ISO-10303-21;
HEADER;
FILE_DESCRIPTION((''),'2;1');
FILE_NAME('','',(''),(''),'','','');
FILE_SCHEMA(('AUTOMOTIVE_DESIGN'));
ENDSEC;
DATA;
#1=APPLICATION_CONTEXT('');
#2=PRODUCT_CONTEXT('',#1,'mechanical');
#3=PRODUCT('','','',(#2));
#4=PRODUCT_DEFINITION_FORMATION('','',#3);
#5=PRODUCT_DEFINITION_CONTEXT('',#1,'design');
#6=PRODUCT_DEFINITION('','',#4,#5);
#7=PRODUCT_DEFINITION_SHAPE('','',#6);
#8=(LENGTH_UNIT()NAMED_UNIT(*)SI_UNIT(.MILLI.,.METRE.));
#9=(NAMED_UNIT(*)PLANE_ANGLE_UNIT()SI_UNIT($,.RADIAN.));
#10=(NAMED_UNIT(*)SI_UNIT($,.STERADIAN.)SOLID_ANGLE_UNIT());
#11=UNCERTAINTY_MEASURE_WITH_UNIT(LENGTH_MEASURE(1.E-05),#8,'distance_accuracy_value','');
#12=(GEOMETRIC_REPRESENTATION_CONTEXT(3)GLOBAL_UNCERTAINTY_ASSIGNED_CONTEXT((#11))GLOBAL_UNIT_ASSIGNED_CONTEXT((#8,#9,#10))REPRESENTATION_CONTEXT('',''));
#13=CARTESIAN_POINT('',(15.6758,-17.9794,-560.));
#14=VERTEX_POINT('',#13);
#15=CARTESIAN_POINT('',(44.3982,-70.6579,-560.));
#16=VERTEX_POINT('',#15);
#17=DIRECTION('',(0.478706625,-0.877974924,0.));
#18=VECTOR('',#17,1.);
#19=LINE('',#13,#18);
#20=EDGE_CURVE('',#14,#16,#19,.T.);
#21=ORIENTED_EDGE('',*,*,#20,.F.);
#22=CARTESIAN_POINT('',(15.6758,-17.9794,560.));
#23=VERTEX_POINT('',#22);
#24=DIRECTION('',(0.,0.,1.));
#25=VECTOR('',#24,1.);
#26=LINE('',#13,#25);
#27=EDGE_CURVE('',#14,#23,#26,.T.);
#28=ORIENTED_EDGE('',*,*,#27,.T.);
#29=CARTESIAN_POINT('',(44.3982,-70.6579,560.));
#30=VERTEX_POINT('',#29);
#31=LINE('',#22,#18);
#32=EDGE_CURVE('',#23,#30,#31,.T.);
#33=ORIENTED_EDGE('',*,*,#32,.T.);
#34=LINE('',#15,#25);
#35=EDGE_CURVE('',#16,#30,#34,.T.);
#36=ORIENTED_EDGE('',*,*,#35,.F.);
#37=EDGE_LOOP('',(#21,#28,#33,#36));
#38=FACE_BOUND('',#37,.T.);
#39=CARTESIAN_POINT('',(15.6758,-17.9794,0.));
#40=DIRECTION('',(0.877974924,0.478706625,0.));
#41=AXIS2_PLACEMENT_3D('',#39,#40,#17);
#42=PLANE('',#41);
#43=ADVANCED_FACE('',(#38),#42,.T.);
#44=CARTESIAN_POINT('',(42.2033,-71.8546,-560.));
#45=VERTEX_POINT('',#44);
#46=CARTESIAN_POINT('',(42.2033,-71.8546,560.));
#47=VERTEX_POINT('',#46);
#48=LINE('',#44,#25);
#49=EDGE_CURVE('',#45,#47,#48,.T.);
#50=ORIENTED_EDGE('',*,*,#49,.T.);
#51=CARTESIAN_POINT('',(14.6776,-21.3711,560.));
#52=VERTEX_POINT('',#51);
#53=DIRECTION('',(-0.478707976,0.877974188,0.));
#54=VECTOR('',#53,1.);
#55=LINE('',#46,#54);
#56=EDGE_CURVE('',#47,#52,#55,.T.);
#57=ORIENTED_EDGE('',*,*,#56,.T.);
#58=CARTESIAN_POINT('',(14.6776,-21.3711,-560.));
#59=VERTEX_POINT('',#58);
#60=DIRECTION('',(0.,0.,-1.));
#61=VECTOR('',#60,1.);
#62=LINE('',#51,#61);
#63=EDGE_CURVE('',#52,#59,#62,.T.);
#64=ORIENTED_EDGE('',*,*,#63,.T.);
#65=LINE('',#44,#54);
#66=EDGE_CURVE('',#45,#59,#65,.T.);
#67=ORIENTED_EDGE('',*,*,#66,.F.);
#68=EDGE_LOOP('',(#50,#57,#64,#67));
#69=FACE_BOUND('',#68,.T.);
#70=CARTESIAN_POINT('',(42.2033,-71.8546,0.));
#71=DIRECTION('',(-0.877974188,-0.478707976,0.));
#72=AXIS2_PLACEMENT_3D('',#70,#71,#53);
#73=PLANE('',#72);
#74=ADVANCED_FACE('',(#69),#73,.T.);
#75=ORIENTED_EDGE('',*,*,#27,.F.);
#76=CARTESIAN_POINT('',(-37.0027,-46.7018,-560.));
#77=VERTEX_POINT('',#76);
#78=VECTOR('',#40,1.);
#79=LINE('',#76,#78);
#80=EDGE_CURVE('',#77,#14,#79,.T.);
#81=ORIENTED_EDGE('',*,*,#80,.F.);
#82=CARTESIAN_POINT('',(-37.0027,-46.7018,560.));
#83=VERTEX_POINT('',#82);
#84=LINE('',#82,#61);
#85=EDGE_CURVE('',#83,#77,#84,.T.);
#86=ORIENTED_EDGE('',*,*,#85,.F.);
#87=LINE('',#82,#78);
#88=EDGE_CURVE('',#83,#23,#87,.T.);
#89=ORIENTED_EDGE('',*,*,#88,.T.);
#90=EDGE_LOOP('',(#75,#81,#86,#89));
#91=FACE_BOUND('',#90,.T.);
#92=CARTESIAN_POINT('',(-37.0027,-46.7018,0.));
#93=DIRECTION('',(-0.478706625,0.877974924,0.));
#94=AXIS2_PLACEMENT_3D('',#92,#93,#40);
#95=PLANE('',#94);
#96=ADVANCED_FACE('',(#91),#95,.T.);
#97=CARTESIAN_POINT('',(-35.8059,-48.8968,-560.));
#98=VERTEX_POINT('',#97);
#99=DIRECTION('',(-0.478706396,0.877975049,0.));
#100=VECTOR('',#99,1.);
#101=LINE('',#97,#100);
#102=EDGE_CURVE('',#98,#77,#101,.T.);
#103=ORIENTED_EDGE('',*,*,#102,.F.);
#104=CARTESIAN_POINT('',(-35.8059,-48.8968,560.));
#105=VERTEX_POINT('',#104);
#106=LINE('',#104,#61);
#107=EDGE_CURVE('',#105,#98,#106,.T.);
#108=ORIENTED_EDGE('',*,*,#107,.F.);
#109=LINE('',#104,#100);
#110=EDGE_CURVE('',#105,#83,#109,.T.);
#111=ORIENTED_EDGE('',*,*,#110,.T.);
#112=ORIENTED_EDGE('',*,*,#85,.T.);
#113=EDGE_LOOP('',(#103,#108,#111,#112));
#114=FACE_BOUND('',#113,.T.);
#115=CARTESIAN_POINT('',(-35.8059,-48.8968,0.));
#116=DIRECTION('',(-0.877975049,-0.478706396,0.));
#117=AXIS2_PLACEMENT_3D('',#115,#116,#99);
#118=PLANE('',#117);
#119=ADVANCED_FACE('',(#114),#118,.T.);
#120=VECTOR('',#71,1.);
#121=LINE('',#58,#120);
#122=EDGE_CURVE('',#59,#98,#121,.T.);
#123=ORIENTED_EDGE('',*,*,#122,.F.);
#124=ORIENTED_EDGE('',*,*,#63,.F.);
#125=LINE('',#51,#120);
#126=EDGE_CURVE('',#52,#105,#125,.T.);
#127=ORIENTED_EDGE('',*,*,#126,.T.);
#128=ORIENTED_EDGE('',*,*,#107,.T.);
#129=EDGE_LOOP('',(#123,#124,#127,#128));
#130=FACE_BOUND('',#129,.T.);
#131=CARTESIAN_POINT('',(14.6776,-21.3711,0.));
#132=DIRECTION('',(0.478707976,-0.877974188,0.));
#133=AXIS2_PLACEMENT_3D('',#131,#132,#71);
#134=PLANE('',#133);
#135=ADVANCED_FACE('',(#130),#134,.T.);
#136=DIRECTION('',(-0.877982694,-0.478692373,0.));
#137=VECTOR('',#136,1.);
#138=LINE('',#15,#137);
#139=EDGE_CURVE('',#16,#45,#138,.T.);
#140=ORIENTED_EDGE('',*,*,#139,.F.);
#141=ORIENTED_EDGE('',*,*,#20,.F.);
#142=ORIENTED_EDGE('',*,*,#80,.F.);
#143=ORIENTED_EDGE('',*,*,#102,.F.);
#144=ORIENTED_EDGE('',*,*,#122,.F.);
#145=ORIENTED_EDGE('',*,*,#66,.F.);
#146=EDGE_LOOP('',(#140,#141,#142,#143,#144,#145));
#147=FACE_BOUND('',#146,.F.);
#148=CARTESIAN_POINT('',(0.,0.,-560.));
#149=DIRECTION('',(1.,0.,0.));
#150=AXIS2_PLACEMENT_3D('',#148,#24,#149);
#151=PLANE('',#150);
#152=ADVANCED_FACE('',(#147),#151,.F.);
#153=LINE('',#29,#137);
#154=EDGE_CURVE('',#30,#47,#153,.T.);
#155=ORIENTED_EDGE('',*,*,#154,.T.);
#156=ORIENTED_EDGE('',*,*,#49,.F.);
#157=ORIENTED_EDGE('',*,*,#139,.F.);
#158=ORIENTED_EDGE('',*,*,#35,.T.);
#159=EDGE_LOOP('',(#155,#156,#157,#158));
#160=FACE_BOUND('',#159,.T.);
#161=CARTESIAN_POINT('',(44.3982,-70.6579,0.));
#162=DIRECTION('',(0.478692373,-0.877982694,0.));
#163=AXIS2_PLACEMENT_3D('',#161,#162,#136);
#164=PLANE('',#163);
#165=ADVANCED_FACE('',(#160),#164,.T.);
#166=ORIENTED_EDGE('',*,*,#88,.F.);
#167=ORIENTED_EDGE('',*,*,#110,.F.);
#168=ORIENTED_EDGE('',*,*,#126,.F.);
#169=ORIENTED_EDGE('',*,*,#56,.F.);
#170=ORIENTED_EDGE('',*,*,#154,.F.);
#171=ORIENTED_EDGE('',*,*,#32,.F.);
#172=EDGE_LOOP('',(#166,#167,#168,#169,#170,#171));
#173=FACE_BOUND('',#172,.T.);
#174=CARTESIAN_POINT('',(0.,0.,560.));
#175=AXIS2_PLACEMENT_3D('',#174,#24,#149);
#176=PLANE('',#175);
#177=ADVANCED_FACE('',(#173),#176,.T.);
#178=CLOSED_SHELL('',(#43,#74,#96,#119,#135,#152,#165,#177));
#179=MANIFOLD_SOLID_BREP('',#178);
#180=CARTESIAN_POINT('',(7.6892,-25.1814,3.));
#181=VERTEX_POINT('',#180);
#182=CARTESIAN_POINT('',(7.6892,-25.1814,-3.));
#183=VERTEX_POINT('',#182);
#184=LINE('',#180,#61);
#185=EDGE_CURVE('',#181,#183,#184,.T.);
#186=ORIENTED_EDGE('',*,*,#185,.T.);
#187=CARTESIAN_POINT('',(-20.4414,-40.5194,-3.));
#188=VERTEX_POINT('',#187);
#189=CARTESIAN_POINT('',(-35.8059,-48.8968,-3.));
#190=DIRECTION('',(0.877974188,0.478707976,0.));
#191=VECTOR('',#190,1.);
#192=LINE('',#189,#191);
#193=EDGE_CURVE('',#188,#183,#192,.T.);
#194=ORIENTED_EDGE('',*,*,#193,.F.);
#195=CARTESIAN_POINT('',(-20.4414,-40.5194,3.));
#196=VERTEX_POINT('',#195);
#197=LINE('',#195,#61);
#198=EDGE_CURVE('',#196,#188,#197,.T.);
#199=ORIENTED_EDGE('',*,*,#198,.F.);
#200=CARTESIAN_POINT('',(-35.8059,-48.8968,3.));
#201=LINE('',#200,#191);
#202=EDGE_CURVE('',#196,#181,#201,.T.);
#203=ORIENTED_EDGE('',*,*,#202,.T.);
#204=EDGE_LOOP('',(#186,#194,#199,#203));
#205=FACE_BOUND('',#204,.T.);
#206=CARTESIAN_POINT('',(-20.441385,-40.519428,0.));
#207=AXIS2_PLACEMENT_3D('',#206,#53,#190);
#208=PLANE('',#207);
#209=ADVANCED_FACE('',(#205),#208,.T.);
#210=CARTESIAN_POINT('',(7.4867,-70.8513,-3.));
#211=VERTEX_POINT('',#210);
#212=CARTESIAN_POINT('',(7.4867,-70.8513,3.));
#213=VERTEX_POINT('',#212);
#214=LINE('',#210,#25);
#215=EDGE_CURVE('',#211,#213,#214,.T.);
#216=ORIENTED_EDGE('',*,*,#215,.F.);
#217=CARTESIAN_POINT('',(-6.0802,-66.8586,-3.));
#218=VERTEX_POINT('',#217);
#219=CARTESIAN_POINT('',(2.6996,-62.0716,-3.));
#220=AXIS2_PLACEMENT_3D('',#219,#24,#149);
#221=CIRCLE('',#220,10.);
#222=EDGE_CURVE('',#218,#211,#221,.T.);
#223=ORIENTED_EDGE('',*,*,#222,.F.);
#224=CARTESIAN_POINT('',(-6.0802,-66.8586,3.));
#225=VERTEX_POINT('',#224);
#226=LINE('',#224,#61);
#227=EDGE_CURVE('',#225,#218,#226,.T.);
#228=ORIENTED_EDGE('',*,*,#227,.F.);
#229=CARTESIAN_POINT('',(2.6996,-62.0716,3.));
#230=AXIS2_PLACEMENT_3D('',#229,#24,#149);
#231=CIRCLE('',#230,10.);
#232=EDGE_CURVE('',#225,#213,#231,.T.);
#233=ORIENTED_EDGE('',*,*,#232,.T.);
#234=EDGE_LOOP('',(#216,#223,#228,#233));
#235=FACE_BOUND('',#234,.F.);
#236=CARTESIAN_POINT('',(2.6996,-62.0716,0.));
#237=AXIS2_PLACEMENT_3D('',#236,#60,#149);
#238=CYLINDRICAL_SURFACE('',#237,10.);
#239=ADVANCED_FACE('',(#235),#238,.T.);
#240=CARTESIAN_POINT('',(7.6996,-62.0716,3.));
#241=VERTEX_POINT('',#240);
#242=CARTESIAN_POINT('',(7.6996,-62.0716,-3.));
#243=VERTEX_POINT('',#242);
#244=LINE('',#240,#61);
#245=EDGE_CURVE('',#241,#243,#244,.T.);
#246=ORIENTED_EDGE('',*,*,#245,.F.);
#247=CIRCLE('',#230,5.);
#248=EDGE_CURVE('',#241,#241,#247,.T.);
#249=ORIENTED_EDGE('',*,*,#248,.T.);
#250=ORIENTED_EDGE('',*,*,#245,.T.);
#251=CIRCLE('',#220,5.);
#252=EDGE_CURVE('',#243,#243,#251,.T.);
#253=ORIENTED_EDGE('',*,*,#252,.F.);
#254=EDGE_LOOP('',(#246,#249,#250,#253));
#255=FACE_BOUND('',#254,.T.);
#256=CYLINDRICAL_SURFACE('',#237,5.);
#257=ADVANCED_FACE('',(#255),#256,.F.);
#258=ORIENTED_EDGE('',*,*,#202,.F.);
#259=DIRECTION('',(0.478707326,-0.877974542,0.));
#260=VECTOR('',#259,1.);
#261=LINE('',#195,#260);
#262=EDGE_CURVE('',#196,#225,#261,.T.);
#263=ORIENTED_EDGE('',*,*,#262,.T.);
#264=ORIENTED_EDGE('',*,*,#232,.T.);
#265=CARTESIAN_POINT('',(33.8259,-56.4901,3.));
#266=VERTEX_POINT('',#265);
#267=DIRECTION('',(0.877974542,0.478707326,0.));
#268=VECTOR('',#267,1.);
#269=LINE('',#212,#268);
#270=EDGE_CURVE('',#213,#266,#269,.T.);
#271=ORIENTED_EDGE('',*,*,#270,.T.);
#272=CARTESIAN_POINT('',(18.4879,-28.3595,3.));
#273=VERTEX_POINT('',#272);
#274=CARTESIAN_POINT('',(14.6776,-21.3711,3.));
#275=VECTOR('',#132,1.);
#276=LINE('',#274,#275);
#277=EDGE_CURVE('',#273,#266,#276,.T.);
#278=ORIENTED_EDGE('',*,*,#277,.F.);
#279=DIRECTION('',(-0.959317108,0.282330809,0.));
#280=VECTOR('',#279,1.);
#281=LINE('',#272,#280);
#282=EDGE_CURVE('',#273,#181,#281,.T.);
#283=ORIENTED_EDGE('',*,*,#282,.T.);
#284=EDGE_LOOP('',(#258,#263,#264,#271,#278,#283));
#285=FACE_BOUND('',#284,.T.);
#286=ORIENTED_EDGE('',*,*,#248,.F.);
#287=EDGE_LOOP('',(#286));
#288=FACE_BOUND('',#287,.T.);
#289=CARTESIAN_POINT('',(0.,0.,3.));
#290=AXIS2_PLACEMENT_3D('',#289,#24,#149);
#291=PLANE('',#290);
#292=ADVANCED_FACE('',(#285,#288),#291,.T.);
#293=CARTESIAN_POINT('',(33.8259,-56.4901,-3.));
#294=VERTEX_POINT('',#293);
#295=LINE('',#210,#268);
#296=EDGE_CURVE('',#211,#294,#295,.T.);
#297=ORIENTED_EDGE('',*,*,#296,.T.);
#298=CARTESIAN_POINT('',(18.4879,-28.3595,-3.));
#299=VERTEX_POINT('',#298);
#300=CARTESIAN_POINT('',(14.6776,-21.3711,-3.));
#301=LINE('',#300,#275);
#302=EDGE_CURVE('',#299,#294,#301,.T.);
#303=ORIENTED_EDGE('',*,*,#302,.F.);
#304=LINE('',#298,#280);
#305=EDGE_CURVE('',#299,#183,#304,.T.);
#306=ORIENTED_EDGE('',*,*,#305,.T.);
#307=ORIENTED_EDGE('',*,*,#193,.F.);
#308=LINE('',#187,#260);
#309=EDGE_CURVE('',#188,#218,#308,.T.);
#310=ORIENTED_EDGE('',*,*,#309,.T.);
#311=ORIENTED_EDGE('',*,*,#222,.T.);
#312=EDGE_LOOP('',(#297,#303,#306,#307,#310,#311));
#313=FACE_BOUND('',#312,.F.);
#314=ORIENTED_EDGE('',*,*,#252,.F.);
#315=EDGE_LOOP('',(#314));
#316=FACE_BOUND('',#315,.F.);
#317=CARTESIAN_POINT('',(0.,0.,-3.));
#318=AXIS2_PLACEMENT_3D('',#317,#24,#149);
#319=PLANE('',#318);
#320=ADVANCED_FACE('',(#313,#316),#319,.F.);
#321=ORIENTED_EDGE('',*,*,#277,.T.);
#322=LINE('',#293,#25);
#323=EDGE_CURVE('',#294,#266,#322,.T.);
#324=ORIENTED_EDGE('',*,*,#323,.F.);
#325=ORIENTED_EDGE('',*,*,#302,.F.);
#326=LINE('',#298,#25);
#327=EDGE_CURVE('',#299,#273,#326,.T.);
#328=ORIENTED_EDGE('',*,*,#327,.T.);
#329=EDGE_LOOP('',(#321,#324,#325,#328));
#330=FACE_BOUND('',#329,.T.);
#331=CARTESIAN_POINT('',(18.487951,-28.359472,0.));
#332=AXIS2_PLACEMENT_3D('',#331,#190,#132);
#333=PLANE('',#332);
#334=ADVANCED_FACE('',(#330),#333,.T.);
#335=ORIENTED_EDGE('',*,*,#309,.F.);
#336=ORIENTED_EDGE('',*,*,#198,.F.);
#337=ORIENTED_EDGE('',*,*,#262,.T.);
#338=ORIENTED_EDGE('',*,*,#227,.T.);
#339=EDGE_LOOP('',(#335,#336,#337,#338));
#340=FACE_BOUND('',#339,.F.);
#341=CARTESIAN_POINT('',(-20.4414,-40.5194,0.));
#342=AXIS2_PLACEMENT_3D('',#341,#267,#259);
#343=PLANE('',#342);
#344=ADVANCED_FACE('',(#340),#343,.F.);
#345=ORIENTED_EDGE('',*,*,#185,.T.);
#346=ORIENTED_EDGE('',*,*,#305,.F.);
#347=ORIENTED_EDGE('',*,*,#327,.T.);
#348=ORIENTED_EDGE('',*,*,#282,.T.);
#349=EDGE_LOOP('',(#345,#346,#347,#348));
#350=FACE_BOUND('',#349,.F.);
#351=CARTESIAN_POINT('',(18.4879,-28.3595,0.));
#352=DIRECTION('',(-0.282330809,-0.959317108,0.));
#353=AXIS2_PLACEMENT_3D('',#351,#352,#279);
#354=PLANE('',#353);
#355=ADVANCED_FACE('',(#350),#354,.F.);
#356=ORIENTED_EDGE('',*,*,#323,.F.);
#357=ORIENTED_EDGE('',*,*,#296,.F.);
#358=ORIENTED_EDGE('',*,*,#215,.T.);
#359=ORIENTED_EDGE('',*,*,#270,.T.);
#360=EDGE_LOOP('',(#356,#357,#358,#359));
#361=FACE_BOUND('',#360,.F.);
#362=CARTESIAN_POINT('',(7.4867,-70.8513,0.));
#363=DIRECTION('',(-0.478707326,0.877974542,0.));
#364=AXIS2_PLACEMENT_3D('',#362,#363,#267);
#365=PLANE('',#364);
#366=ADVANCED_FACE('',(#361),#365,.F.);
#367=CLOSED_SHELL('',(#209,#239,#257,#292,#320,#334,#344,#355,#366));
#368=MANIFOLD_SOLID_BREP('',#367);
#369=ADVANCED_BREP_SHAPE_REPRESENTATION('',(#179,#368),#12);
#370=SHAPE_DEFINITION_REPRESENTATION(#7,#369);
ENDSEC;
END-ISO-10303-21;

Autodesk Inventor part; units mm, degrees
ref_plane "YZ Plane" through (0, 0, 0) normal (1, 0, 0) x (0, 1, 0)
ref_plane "XZ Plane" through (0, 0, 0) normal (0, 1, 0) x (-1, 0, 0)
ref_plane "XY Plane" through (0, 0, 0) normal (0, 0, 1) x (1, 0, 0)
sketch "Sketch1" plane through (0, 0, 0) normal (0, 0, 1) x (1, 0, 0)
  circle A0 centre (-76.4616, -331.0553) radius 285.0725 projected
  line L0 (42.2033, -71.8546) -> (14.6776, -21.3711)
  line L1 (14.6776, -21.3711) -> (-35.8059, -48.8968)
  line L2 (-35.8059, -48.8968) -> (-37.0027, -46.7018)
  line L3 (-37.0027, -46.7018) -> (15.6758, -17.9794)
  line L4 (15.6758, -17.9794) -> (44.3982, -70.6579)
  line L5 (44.3982, -70.6579) -> (42.2033, -71.8546)
  dimension "d15" = 2.5
  dimension "d16" = 60
extrude "Extrusion1" add sketch "Sketch1" along normal mid plane 1120 contours L0 L1 L2 L3 L4 L5
sketch "Sketch3" plane through (0, 0, 0) normal (0, 0, 1) x (1, 0, 0)
  circle A0 centre (2.6996, -62.0716) radius 5
  circle A1 centre (2.6996, -62.0716) radius 10
  line L0 (-35.8059, -48.8968) -> (14.6776, -21.3711) projected
  line L1 (14.6776, -21.3711) -> (42.2033, -71.8546) projected
  line L2 (7.4867, -70.8513) -> (33.8259, -56.4901)
  line L3 (33.8259, -56.4901) -> (18.4879, -28.3595)
  line L4 (18.4879, -28.3595) -> (7.6892, -25.1814)
  line L5 (7.6892, -25.1814) -> (-20.4414, -40.5194)
  line L6 (-20.4414, -40.5194) -> (-6.0802, -66.8586)
  point P0 (0, 0)
  dimension "d21" = 10
  dimension "d22" = 20
  dimension "d25" = 40
extrude "Extrusion4" add sketch "Sketch3" along normal mid plane 6 separate body contours A1 | A1 L6 L0 L4 L1 L2
properties part number "Barra freno"
